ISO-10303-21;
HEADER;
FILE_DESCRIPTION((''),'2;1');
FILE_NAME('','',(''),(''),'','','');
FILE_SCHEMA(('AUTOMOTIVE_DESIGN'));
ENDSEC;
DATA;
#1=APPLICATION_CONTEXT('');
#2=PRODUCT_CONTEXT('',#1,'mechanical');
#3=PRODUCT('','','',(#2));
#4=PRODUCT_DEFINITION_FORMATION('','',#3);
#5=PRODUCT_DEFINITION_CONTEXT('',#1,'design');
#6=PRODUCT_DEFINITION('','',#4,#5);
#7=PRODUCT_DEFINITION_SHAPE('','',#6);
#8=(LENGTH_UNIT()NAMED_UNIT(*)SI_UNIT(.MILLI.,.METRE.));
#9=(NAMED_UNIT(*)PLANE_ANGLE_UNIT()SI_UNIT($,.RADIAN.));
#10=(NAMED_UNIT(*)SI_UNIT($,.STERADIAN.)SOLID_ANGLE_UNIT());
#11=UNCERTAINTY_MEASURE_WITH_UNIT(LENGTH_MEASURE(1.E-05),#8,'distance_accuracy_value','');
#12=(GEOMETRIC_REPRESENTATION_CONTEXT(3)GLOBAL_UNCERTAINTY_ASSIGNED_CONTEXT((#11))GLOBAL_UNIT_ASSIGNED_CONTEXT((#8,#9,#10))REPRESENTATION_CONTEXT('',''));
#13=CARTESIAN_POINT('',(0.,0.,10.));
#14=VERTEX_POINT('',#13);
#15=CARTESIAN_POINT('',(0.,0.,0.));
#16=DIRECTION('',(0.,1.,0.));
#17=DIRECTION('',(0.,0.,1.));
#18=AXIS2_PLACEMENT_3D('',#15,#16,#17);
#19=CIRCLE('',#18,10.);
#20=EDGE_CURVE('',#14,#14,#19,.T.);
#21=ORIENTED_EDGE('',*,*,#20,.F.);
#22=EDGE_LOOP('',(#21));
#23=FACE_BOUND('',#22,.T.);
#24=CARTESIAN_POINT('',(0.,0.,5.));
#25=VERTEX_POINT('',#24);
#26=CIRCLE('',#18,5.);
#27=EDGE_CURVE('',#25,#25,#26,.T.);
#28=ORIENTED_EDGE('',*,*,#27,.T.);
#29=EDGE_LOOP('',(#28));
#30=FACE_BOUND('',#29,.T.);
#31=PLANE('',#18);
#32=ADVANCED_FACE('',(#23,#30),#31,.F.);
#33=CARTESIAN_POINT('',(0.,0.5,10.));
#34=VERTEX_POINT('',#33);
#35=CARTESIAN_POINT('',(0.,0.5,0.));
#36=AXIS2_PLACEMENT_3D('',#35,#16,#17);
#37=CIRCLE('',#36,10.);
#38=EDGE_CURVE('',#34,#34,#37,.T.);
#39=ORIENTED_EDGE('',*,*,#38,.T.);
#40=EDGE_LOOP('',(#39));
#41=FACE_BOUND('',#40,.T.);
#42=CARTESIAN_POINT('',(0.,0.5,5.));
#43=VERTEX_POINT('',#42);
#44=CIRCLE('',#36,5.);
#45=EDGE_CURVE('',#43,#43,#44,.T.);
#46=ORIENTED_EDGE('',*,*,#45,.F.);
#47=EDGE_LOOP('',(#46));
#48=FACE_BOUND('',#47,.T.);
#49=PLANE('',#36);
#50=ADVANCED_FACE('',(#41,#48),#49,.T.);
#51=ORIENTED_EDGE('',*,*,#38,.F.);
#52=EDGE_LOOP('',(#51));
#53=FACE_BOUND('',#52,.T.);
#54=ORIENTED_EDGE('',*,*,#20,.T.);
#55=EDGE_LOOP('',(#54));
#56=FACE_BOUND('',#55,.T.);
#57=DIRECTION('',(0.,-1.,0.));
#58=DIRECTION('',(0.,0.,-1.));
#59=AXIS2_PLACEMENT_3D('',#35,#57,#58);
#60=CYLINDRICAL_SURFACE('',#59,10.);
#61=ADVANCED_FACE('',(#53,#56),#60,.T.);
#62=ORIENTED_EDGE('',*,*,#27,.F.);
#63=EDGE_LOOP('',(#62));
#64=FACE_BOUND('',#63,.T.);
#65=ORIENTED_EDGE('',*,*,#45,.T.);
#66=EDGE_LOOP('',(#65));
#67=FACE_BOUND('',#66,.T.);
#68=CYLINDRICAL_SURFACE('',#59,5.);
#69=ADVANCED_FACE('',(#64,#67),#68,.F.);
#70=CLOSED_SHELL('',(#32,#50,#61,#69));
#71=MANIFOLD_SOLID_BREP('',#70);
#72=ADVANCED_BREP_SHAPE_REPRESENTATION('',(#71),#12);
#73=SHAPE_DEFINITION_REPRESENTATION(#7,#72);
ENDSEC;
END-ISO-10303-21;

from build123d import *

# Parameters (mm, degrees)
ESBO_O1_R                = 10
ESBO_O1_R_2              = 5
RESSALTO_EXTRUS_O1_DEPTH = 0.5


with BuildPart() as part:
    # Esboço1 → Ressalto-extrusão1 (new body)
    with BuildSketch(Plane(origin=(0, 0, 0), x_dir=(1, 0, 0), z_dir=(0, 1, 0))):
        with Locations(Location((0, 0, 0), (0, 0, 270))):
            Circle(ESBO_O1_R)
        with Locations(Location((0, 0, 0), (0, 0, 270))):
            Circle(ESBO_O1_R_2, mode=Mode.SUBTRACT)
    extrude(amount=RESSALTO_EXTRUS_O1_DEPTH)


solid = part.part
